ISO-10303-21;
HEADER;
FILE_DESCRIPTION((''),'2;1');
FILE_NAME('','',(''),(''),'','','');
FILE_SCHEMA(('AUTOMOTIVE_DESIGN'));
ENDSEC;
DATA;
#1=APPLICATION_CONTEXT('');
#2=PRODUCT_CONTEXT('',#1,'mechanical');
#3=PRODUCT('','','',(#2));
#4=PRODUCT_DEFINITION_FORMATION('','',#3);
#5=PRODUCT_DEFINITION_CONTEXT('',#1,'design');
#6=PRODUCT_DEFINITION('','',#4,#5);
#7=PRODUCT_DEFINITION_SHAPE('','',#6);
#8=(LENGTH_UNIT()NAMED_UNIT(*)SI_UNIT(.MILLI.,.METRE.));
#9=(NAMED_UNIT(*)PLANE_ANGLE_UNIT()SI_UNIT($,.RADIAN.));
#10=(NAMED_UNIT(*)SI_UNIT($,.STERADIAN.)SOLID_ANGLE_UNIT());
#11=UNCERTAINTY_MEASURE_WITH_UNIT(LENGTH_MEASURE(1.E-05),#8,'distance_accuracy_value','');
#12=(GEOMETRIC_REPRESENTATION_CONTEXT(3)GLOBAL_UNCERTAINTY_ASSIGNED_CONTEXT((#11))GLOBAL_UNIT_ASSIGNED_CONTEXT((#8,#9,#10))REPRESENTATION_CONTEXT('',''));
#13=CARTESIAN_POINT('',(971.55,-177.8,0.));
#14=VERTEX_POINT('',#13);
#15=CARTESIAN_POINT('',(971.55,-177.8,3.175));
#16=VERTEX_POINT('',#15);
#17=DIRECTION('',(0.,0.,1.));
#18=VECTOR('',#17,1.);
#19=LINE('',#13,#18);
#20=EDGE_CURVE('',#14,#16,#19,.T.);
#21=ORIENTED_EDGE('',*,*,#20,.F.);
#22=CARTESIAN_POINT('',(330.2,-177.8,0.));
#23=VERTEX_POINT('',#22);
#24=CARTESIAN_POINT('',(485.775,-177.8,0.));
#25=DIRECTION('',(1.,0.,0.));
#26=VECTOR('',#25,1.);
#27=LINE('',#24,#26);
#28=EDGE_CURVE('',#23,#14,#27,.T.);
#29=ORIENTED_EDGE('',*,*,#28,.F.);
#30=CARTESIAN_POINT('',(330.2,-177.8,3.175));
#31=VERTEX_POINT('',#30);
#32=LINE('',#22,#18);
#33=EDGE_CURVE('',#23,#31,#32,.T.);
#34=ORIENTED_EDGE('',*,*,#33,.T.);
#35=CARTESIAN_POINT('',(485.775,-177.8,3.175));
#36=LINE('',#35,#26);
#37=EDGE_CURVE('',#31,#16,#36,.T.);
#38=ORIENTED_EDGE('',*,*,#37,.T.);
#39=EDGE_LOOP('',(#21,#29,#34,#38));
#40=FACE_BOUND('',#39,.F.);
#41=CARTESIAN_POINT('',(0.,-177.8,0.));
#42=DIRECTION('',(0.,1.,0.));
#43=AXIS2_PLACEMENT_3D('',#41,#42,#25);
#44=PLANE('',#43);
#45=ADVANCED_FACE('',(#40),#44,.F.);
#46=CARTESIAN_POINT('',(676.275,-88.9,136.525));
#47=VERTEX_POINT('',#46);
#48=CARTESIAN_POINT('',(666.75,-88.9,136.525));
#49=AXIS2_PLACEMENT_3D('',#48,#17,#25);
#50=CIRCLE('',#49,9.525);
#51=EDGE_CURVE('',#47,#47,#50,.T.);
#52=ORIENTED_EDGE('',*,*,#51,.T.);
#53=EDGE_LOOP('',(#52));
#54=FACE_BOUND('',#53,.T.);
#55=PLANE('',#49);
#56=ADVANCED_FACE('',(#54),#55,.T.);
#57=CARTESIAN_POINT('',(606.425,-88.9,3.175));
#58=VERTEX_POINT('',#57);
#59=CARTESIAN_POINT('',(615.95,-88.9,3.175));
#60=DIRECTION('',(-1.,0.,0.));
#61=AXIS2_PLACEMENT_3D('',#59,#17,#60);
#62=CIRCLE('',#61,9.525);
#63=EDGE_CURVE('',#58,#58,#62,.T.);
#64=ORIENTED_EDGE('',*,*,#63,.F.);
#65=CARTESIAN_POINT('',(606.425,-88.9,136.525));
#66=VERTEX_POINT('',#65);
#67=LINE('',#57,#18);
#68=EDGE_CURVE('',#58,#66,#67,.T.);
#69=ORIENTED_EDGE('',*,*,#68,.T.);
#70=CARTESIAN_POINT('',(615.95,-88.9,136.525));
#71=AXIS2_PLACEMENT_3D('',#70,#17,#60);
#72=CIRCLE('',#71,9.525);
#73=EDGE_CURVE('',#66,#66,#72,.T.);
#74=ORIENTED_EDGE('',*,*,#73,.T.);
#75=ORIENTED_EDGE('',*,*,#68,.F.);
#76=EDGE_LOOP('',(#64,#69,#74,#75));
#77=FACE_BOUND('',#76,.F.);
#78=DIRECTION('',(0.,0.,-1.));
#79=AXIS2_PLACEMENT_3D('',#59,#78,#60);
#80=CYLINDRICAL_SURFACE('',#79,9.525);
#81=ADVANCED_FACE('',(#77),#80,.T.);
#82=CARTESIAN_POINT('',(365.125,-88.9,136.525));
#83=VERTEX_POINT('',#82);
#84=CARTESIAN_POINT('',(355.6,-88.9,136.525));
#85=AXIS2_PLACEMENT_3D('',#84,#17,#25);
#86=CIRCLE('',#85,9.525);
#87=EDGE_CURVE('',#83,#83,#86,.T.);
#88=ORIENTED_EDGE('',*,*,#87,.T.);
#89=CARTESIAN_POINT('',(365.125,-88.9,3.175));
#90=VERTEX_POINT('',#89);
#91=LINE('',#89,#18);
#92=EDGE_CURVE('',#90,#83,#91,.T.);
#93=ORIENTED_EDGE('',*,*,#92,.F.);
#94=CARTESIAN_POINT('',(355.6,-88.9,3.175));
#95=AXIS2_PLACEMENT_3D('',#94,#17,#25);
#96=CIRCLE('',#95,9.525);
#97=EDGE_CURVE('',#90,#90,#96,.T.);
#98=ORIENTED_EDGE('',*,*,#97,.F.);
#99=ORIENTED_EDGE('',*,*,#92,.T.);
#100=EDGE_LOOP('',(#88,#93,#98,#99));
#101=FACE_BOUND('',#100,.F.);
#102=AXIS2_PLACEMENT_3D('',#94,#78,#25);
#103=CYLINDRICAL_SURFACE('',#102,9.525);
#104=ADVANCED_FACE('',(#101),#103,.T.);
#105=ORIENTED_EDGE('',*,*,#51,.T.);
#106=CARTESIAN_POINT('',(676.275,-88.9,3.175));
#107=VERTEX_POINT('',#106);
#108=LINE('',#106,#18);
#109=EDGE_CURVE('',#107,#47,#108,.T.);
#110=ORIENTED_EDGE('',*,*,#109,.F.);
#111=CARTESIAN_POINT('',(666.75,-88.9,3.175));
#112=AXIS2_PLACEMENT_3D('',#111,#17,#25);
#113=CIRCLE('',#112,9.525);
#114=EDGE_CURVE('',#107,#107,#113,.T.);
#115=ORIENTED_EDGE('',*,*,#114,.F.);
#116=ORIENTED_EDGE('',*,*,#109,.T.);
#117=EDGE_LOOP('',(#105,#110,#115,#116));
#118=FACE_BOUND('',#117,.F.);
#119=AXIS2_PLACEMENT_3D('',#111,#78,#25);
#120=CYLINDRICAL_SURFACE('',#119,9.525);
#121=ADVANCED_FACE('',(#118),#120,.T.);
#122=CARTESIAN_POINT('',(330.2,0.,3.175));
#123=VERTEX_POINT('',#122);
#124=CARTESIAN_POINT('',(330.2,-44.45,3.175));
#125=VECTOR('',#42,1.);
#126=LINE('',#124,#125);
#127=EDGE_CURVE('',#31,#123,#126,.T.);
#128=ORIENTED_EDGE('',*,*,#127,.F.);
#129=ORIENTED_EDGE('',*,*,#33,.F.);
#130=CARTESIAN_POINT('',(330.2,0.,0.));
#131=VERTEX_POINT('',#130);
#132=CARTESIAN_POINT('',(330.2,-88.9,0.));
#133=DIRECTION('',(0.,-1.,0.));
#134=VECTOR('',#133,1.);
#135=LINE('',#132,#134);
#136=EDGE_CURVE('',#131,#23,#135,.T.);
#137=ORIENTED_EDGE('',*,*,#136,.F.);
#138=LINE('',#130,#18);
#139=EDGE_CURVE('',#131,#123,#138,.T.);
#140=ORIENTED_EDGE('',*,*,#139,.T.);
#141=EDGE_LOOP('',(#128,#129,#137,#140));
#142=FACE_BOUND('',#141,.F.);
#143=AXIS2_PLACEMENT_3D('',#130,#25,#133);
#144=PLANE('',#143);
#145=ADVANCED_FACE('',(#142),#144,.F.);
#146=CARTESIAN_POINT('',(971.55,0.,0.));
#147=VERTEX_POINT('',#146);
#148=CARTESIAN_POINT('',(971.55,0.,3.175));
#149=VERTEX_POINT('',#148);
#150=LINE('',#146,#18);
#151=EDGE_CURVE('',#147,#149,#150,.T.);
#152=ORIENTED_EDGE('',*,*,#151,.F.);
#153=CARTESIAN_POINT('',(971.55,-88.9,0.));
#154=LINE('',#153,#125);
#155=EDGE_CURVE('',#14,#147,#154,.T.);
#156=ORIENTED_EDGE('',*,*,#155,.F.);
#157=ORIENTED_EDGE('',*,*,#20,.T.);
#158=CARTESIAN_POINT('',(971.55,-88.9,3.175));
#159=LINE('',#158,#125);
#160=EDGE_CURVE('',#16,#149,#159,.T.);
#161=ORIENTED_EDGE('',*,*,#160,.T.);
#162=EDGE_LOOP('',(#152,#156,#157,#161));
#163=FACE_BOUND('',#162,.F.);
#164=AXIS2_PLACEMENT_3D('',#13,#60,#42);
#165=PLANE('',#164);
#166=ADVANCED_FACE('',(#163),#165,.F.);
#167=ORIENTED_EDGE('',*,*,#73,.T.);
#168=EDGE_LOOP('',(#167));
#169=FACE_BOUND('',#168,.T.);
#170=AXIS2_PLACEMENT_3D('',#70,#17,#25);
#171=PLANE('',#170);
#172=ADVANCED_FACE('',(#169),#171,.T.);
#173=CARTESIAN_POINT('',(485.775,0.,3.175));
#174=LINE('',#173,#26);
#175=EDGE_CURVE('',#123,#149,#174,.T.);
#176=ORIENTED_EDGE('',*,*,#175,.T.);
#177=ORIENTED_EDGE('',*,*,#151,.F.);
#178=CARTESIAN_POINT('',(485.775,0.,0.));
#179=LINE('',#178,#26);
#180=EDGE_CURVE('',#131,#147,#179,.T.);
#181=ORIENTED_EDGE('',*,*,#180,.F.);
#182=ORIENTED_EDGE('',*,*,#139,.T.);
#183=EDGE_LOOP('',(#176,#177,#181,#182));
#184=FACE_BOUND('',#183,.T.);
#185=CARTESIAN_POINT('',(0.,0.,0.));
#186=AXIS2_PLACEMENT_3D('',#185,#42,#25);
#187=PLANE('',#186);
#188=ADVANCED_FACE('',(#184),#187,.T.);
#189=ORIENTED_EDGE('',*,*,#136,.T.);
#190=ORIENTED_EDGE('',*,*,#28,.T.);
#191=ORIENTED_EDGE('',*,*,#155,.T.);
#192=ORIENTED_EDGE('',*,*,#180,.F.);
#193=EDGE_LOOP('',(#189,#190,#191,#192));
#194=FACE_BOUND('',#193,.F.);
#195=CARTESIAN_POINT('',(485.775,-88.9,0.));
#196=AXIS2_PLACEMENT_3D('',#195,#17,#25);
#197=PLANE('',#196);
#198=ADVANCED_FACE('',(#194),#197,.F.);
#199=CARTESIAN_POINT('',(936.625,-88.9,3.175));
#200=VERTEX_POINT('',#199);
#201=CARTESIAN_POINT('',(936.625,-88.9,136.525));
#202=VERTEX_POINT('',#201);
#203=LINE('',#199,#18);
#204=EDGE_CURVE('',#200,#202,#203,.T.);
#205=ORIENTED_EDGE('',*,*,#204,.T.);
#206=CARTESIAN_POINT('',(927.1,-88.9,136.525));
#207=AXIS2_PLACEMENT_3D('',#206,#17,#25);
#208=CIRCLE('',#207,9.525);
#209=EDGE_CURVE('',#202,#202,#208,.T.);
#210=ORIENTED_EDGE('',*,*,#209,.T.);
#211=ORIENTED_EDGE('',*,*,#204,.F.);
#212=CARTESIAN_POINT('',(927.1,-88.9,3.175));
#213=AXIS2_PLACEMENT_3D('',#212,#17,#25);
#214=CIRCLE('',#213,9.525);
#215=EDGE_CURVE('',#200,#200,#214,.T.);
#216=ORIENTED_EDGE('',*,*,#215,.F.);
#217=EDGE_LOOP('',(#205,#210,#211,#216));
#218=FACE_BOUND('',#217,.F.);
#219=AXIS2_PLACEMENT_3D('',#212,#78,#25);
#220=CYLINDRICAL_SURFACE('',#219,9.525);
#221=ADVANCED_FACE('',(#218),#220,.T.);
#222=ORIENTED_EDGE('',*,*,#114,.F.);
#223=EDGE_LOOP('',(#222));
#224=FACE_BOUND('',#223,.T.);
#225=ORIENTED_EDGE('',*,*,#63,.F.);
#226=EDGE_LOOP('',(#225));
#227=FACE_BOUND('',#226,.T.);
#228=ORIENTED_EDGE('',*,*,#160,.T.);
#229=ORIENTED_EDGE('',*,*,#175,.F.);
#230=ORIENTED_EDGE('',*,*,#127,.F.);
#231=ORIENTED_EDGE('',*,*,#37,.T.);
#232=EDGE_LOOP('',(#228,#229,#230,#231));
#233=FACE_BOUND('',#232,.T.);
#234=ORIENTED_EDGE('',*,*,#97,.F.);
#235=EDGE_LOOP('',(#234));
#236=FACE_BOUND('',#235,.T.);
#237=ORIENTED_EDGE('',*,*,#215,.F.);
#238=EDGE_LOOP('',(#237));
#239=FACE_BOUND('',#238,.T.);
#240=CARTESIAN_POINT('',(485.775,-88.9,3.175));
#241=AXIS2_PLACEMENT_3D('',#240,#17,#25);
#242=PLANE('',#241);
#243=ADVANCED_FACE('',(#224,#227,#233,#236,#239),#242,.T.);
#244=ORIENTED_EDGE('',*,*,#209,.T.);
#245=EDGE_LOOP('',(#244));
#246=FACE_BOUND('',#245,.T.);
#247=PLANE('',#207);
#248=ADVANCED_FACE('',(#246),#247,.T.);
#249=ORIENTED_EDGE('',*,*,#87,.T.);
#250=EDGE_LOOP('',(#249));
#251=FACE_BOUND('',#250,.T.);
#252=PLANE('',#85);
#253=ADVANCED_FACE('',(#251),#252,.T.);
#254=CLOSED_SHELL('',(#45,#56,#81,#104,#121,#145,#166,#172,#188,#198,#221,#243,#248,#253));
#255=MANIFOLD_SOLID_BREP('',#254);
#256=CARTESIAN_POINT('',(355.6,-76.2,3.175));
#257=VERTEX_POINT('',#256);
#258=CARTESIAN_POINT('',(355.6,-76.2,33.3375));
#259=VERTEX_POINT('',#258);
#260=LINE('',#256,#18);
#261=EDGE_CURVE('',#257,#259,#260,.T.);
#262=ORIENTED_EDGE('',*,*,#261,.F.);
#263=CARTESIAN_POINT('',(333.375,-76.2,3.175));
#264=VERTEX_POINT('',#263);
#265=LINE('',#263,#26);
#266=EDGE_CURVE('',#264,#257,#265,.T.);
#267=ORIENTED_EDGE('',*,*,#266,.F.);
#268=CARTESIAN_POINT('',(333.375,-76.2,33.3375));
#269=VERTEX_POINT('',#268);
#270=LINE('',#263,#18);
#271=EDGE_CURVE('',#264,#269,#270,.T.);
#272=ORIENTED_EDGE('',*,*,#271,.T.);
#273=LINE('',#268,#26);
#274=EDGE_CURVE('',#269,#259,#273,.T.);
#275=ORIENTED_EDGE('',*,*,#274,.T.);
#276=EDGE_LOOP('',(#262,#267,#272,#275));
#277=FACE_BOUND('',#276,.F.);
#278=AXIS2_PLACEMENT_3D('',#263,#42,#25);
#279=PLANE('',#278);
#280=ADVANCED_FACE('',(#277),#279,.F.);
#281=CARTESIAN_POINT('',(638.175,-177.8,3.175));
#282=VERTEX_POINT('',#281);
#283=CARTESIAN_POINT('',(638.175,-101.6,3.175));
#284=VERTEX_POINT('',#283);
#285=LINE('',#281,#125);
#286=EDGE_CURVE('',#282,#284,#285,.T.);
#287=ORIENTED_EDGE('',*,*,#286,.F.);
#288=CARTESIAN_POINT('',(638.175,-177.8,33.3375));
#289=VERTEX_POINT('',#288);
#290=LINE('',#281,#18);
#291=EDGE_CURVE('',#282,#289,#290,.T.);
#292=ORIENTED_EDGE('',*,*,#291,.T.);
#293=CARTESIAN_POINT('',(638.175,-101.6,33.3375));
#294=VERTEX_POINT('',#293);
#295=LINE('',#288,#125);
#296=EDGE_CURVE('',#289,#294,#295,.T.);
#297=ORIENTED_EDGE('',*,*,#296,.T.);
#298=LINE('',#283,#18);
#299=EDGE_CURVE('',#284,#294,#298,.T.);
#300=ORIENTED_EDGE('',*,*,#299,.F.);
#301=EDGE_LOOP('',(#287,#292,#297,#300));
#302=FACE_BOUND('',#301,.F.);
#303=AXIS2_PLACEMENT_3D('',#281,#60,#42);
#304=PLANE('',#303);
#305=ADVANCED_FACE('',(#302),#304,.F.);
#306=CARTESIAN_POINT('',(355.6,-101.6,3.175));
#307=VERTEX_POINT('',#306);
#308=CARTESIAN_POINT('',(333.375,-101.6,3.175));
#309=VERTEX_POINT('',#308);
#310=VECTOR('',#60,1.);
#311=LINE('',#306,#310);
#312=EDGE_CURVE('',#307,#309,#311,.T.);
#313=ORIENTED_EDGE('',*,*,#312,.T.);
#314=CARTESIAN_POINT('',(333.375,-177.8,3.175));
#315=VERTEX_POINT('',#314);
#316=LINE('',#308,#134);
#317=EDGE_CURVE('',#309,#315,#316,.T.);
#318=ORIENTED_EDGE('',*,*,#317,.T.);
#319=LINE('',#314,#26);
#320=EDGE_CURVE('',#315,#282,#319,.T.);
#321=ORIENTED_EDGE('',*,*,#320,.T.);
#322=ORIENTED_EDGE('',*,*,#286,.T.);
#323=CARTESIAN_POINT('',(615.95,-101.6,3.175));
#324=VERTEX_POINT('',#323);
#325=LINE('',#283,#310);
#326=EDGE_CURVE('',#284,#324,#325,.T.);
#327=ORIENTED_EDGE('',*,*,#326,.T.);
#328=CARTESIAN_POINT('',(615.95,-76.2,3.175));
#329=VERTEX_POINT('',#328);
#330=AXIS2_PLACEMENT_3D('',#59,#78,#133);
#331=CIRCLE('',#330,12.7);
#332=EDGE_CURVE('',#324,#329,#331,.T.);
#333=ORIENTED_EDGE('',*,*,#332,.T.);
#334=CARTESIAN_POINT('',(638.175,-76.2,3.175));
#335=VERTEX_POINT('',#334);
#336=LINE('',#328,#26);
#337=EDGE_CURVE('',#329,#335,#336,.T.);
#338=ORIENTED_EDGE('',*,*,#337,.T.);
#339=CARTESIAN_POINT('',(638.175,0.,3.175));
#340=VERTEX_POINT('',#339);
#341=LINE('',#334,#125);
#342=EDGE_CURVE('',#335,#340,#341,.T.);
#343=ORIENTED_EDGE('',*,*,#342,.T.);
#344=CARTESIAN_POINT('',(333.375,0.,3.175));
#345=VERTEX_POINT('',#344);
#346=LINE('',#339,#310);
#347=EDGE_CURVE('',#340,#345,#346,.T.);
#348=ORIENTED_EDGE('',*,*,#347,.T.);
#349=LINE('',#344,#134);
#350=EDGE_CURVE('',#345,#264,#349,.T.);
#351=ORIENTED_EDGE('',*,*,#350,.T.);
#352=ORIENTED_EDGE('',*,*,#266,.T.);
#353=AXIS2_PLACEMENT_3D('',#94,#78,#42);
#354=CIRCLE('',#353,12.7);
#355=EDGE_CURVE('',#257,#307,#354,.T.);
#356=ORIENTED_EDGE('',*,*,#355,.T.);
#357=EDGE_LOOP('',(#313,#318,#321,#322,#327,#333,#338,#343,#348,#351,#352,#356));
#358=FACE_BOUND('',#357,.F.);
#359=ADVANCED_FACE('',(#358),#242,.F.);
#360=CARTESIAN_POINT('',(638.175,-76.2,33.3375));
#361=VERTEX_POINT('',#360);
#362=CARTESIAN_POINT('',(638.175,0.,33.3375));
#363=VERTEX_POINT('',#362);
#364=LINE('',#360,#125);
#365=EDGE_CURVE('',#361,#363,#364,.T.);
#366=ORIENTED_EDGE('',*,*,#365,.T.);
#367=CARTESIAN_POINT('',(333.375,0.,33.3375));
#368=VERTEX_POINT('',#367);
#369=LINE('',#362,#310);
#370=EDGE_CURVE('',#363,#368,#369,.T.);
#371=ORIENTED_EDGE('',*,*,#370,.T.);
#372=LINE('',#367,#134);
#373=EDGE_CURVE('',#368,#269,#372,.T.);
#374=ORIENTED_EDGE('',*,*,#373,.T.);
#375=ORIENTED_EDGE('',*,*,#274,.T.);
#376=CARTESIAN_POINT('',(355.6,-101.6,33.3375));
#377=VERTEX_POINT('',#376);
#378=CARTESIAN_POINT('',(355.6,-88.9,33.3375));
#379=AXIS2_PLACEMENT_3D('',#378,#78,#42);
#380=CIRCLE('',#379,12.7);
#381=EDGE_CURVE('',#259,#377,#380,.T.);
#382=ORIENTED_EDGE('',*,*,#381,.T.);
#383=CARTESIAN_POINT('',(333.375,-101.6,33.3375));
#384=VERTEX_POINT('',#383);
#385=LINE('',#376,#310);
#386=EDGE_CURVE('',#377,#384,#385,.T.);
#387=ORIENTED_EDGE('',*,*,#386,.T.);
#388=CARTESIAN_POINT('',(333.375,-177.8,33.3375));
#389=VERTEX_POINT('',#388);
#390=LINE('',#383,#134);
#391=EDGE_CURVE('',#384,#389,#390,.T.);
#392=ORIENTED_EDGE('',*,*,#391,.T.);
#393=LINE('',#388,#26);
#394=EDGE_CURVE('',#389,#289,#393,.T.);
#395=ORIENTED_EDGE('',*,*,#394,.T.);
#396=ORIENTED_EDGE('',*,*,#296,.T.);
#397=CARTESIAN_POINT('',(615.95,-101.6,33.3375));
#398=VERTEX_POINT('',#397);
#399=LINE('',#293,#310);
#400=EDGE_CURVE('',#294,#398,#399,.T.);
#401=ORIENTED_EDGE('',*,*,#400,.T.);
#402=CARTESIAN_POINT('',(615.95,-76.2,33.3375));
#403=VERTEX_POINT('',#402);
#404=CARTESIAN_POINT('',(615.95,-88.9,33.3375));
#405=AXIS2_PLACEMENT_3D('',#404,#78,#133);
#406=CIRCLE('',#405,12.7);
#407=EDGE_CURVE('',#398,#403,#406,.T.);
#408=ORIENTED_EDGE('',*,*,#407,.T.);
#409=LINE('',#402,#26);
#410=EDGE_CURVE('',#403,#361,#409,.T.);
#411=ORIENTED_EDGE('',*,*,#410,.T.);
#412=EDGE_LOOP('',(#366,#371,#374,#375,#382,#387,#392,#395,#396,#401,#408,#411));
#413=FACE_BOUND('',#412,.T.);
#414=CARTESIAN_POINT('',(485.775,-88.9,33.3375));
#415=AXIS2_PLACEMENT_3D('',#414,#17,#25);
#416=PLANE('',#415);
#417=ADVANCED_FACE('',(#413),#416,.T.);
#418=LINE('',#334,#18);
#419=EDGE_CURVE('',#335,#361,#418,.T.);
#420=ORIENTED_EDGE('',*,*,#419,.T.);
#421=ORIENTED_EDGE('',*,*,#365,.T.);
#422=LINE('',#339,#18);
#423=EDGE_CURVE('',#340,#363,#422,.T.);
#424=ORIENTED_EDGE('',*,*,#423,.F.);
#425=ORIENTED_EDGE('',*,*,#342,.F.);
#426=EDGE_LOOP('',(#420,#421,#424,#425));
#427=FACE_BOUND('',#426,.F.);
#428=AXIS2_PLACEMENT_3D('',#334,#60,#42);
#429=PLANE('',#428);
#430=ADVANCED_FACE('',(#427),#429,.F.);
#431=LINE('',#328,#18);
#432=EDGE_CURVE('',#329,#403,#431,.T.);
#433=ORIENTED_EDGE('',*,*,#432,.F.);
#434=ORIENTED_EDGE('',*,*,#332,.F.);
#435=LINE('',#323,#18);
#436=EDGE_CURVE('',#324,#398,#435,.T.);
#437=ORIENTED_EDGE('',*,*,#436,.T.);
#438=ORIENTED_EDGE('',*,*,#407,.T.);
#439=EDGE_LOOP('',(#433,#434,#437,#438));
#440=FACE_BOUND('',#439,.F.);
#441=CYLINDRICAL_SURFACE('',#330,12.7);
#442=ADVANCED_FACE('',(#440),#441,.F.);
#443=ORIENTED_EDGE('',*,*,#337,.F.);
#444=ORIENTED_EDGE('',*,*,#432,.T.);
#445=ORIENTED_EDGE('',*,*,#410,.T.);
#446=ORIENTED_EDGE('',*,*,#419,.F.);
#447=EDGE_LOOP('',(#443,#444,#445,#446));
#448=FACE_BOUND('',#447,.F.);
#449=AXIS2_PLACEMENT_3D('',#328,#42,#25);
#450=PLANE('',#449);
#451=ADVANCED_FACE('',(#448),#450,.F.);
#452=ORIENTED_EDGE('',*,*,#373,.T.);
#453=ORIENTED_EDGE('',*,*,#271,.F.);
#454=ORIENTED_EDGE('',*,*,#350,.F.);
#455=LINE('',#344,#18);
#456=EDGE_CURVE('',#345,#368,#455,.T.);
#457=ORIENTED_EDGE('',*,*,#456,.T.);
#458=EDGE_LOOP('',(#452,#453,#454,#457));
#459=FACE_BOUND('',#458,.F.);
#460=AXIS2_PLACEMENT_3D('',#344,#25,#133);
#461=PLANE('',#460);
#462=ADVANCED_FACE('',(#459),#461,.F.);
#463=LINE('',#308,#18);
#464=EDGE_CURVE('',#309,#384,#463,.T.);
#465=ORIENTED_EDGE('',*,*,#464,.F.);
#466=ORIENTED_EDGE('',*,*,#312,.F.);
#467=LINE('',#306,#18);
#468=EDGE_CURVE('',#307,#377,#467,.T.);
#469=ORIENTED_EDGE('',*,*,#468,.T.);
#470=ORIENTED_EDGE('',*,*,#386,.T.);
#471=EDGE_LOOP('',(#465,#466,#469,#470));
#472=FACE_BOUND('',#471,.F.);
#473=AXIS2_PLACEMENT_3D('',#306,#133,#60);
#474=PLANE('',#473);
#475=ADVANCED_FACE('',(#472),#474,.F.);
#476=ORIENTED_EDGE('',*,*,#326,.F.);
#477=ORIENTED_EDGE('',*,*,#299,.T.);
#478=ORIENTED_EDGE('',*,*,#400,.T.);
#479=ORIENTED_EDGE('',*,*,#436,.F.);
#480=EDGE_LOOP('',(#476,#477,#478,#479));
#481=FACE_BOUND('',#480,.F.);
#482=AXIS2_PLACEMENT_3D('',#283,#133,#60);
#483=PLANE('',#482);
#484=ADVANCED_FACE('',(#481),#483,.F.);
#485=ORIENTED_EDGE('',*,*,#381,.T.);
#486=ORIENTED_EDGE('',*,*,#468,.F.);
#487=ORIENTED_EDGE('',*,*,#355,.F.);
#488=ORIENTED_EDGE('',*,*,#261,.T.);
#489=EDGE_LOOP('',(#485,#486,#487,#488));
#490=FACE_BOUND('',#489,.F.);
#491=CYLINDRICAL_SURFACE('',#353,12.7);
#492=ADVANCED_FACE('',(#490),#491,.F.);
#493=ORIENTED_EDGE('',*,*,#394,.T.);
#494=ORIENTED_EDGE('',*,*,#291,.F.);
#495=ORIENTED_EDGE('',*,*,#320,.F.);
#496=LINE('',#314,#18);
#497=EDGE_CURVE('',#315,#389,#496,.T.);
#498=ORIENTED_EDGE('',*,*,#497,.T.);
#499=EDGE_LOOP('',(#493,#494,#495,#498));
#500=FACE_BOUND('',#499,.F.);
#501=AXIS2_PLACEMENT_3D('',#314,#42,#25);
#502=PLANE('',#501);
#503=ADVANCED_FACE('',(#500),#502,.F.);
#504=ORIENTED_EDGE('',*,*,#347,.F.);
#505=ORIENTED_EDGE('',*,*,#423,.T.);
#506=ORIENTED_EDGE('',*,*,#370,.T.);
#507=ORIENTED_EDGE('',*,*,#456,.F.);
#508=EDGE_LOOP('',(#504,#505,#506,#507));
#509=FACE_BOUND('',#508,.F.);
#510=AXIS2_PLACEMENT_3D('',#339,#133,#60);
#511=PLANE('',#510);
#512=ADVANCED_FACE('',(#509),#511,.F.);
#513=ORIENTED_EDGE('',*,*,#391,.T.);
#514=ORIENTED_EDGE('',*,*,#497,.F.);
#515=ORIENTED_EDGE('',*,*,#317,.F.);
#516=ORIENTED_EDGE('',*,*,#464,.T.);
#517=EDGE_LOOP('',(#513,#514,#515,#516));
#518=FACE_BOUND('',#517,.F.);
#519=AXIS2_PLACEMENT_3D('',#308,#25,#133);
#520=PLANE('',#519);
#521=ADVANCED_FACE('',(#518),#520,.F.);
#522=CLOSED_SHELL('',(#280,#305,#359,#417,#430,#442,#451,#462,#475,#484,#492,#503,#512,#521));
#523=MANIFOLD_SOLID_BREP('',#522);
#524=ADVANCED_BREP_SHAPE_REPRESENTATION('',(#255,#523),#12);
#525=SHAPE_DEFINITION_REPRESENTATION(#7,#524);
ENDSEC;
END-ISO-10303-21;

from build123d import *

# Parameters (mm, degrees)
F0_W     = 971.55
F0_H     = 177.8
F1_DEPTH = 3.175
F2_R     = 9.525
F3_DEPTH = 133.35
F4_W     = 330.2
F4_H     = 177.8
F5_DEPTH = 136.526
F7_DEPTH = 30.1625


with BuildPart() as f1:
    # F0 (on Top) → F1 (new body)
    with BuildSketch(Plane.XY):
        with Locations((485.775, -88.9)):
            Rectangle(F0_W, F0_H)
    extrude(amount=F1_DEPTH)

    # F2 (on face) → F3 (join)
    with BuildSketch(Plane.XY.offset(3.175)):
        with Locations((43.688, -88.9)):
            Circle(F2_R)
        with BuildLine():
            Line((311.15, -95.236015), (311.15, -82.563985))
            ThreePointArc((311.15, -82.563985), (300.648028, -79.998668), (294.513, -88.9))
            ThreePointArc((294.513, -88.9), (300.648028, -97.801332), (311.15, -95.236015))
        make_face()
        with Locations((355.6, -88.9)):
            Circle(F2_R)
        with BuildLine():
            ThreePointArc((625.475, -88.9), (615.95, -79.375), (606.425, -88.9))
            ThreePointArc((606.425, -88.9), (615.95, -98.425), (625.475, -88.9))
        make_face()
        with Locations((666.75, -88.9)):
            Circle(F2_R)
        with BuildLine():
            ThreePointArc((917.575, -88.9), (927.1, -98.425), (936.625, -88.9))
            ThreePointArc((936.625, -88.9), (927.1, -79.375), (917.575, -88.9))
        make_face()
    extrude(amount=F3_DEPTH)

    # F4 (on face) → F5 (cut, through all)
    with BuildSketch(Plane(origin=(0, 0, 0), x_dir=(1, 0, 0), z_dir=(0, 0, -1))):
        with Locations((165.1, 88.9)):
            Rectangle(F4_W, F4_H)
    extrude(amount=-F5_DEPTH, mode=Mode.SUBTRACT)


with BuildPart() as f7:
    # F6 (on face) → F7 (new body)
    with BuildSketch(Plane.XY.offset(3.175)):
        with BuildLine():
            Line((638.175, 0), (333.375, 0))
            Line((333.375, 0), (333.375, -76.2))
            Line((333.375, -76.2), (355.6, -76.2))
            ThreePointArc((355.6, -76.2), (368.3, -88.9), (355.6, -101.6))
            Line((355.6, -101.6), (333.375, -101.6))
            Line((333.375, -101.6), (333.375, -177.8))
            Line((333.375, -177.8), (638.175, -177.8))
            Line((638.175, -177.8), (638.175, -101.6))
            Line((638.175, -101.6), (615.95, -101.6))
            ThreePointArc((615.95, -101.6), (603.25, -88.9), (615.95, -76.2))
            Line((615.95, -76.2), (638.175, -76.2))
            Line((638.175, -76.2), (638.175, 0))
        make_face()
    extrude(amount=F7_DEPTH)


solid = Compound([f1.part, f7.part])
